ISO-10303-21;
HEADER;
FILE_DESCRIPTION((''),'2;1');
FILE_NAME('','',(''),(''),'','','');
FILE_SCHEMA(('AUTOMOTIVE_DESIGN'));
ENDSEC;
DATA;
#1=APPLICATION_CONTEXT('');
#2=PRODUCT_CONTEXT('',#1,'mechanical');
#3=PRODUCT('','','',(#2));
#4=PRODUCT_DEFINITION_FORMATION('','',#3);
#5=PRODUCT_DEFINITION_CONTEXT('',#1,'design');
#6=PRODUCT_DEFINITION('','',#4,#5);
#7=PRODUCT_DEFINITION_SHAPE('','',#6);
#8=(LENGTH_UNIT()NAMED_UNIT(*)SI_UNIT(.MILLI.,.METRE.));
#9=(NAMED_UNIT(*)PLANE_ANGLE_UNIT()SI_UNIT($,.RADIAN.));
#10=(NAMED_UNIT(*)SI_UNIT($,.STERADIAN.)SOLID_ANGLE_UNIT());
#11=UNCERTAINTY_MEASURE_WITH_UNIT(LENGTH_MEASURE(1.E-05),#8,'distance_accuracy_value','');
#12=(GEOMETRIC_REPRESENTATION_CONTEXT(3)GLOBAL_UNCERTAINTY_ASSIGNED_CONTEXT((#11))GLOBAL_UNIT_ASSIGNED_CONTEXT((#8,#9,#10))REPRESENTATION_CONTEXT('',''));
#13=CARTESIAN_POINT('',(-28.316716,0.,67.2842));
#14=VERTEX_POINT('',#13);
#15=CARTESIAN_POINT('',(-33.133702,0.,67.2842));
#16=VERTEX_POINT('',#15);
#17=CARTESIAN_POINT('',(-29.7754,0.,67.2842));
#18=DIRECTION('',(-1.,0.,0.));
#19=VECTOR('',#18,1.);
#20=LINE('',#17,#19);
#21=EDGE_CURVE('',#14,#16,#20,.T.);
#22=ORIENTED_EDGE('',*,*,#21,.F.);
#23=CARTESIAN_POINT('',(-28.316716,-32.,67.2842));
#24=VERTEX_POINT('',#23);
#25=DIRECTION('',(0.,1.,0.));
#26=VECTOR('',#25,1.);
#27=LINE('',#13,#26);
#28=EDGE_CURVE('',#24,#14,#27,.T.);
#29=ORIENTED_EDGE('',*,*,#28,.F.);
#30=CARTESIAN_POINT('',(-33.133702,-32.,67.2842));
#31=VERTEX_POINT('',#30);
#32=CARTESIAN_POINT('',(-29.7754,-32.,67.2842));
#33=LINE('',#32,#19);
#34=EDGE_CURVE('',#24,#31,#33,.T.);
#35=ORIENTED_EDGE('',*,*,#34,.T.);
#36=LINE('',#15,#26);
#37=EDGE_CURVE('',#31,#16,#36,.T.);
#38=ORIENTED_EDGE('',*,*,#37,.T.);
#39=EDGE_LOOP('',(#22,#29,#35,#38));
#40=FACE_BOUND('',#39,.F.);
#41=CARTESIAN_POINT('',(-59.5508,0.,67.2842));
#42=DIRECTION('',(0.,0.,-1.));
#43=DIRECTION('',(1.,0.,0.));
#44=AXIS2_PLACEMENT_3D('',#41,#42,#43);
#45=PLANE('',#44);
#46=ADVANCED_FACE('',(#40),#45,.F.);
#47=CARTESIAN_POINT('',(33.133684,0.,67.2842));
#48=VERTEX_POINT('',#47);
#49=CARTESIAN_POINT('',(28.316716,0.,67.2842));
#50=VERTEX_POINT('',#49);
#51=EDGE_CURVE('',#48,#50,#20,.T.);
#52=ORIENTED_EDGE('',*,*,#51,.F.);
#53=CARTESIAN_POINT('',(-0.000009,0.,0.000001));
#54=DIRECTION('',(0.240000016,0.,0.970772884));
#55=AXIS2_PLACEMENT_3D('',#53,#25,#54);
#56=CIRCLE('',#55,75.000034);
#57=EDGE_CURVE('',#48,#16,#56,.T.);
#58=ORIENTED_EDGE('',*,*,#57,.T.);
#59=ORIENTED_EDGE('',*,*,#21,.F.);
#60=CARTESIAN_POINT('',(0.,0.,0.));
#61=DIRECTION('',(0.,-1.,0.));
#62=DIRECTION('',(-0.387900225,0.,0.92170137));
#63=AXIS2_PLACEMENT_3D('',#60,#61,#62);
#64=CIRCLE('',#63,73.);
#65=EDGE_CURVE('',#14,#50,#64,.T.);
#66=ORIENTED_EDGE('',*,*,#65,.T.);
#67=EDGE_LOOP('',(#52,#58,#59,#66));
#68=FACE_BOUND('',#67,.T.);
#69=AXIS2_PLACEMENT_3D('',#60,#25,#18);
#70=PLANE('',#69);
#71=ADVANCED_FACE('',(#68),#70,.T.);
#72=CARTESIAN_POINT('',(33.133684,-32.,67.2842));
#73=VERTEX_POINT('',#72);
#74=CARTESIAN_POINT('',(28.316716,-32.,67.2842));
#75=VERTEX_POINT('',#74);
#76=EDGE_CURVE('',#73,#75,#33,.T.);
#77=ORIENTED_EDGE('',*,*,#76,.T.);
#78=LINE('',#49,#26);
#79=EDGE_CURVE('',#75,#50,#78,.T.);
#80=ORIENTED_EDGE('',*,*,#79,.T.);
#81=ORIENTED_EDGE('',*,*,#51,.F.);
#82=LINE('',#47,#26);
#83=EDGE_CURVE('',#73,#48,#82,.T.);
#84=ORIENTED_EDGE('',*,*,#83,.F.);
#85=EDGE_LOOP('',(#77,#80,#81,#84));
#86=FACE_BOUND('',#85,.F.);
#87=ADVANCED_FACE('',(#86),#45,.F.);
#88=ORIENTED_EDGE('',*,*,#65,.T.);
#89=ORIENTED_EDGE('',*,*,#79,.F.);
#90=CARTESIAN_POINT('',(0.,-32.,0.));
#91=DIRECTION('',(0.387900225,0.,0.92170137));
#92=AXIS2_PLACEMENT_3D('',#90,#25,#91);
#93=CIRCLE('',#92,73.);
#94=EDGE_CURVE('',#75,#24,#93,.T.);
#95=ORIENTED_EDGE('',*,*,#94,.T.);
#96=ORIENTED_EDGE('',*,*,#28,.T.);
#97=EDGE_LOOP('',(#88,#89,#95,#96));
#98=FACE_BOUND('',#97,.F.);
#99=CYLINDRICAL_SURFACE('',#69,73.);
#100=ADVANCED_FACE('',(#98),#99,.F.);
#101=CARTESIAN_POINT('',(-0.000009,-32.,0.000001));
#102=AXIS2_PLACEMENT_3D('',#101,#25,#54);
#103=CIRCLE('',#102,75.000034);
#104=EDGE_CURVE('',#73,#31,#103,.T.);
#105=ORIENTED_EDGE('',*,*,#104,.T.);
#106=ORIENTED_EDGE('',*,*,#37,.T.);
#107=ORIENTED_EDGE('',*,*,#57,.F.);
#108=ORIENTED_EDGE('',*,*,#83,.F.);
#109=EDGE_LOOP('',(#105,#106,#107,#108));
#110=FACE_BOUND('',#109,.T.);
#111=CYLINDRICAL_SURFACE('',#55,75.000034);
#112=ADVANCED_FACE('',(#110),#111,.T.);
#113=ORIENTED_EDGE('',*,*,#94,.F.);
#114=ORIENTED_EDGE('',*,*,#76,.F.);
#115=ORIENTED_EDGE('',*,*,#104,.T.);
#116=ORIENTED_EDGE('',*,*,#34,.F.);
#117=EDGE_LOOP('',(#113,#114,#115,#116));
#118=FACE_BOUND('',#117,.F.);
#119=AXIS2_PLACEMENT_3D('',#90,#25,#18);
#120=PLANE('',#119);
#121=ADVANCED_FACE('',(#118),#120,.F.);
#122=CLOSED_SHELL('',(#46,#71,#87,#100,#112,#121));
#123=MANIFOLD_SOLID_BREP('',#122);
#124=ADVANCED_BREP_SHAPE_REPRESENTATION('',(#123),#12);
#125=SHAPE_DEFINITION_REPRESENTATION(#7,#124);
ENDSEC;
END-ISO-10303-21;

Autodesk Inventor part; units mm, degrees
ref_plane "YZ Plane" through (0, 0, 0) normal (1, 0, 0) x (0, 1, 0)
ref_plane "XZ Plane" through (0, 0, 0) normal (0, 1, 0) x (-1, 0, 0)
ref_plane "XY Plane" through (0, 0, 0) normal (0, 0, 1) x (1, 0, 0)
sketch "Boceto2" plane through (0, 0, 0) normal (0, 1, 0) x (-1, 0, 0)
  arc A0 (-18, 72.808) -> (20, 72.2842) centre (0, 0) ccw
  line L0 (-18, 72.808) -> (-18, 72.2842)
  line L1 (20, 72.2842) -> (13, 72.2842)
  line L2 (-18, 72.808) -> (-11, 72.808)
  line L3 (-11, 72.808) -> (-11, 72.2842)
  line L4 (-18, 72.2842) -> (-18, 72.808)
  line L5 (20, 72.2842) -> (13, 72.2842) projected
  line L6 (13, 72.2842) -> (20, 72.2842)
  line L7 (64.5832, 27.0002) -> (13, 27.0002)
  line L8 (13, 27.0002) -> (13, 72.2842)
  line L9 (-11, 72.2842) -> (-20, 72.2842)
  line L10 (-64.5832, 27.0002) -> (-11, 27.0002)
  line L11 (-11, 27.0002) -> (-11, 72.2842)
  arc A1 (69.8214, 4.9968) -> (69.8214, -4.9968) centre (70, 0) ccw
  arc A2 (-69.8214, -4.9968) -> (-69.8214, 4.9968) centre (-70, 0) ccw
  arc A3 (4.9968, -69.8214) -> (-4.9968, -69.8214) centre (0, -70) ccw
  arc A4 (4.9968, -69.8214) -> (69.8214, -4.9968) centre (0, 0) ccw
  arc A5 (69.8214, 4.9968) -> (64.5832, 27.0002) centre (0, 0) ccw
  arc A6 (-64.5832, 27.0002) -> (-69.8214, 4.9968) centre (0, 0) ccw
  arc A7 (-69.8214, -4.9968) -> (-4.9968, -69.8214) centre (0, 0) ccw
  dimension "d14" = 150
  dimension "d45" = 10
  dimension "d46" = 10
  dimension "d47" = 10
extrude "Extrusión2" add sketch "Boceto2" against normal blind 32 contours L9 L11 L10 A6 A2 A7 A3 A4 A1 A5 L7 L8 L1 A0
sketch "Boceto8" plane through (0, 0, 0) normal (0, 1, 0) x (-1, 0, 0)
  line L0 (59.5508, 67.2842) -> (-59.748, 67.2842)
  line L1 (-59.748, 67.2842) -> (-59.748, 82.2842)
  line L2 (-59.748, 82.2842) -> (59.5508, 82.2842)
  line L3 (59.5508, 82.2842) -> (59.5508, 67.2842)
  line L4 (13, 72.2842) -> (20, 72.2842) projected
  point P0 (0, 0)
  dimension "d67" = 15
  dimension "d71" = 5
extrude "Extrusión8" cut sketch "Boceto8" along normal mid plane 70
sketch "Boceto9" plane through (0, 0, 0) normal (0, 1, 0) x (-1, 0, 0)
  line L0 (-64.5832, 27.0002) -> (-11, 27.0002) projected
  line L1 (-23, 27.0002) -> (-64.5832, 27.0002)
  line L2 (-40.2309, 57.2842) -> (-23, 57.2842)
  line L3 (-23, 57.2842) -> (-23, 27.0002)
  line L4 (-11, 67.2842) -> (-11, 27.0002) projected
  line L5 (-33.1337, 67.2842) -> (-11, 67.2842) projected
  line L6 (25, 27.0002) -> (64.5832, 27.0002)
  line L7 (40.2309, 57.2842) -> (25, 57.2842)
  line L8 (25, 57.2842) -> (25, 27.0002)
  line L9 (13, 27.0002) -> (13, 67.2842) projected
  line L10 (13, 67.2842) -> (33.1337, 67.2842) projected
  arc A0 (-40.2309, 57.2842) -> (-64.5832, 27.0002) centre (0, 0) ccw
  arc A1 (64.5832, 27.0002) -> (40.2309, 57.2842) centre (0, 0) ccw
  dimension "d73" = 12
  dimension "d76" = 10
  dimension "d77" = 12
  dimension "d78" = 10
extrude "Extrusión9" cut sketch "Boceto9" against normal blind 32
sketch "Boceto15" plane through (0, 0, 0) normal (0, 1, 0) x (-1, 0, 0)
  circle A0 centre (0, 0) radius 73
  dimension "d126" = 146
extrude "Extrusión15" cut sketch "Boceto15" against normal blind 32
properties part number "Cuerpo" material "Aluminio 6061"
